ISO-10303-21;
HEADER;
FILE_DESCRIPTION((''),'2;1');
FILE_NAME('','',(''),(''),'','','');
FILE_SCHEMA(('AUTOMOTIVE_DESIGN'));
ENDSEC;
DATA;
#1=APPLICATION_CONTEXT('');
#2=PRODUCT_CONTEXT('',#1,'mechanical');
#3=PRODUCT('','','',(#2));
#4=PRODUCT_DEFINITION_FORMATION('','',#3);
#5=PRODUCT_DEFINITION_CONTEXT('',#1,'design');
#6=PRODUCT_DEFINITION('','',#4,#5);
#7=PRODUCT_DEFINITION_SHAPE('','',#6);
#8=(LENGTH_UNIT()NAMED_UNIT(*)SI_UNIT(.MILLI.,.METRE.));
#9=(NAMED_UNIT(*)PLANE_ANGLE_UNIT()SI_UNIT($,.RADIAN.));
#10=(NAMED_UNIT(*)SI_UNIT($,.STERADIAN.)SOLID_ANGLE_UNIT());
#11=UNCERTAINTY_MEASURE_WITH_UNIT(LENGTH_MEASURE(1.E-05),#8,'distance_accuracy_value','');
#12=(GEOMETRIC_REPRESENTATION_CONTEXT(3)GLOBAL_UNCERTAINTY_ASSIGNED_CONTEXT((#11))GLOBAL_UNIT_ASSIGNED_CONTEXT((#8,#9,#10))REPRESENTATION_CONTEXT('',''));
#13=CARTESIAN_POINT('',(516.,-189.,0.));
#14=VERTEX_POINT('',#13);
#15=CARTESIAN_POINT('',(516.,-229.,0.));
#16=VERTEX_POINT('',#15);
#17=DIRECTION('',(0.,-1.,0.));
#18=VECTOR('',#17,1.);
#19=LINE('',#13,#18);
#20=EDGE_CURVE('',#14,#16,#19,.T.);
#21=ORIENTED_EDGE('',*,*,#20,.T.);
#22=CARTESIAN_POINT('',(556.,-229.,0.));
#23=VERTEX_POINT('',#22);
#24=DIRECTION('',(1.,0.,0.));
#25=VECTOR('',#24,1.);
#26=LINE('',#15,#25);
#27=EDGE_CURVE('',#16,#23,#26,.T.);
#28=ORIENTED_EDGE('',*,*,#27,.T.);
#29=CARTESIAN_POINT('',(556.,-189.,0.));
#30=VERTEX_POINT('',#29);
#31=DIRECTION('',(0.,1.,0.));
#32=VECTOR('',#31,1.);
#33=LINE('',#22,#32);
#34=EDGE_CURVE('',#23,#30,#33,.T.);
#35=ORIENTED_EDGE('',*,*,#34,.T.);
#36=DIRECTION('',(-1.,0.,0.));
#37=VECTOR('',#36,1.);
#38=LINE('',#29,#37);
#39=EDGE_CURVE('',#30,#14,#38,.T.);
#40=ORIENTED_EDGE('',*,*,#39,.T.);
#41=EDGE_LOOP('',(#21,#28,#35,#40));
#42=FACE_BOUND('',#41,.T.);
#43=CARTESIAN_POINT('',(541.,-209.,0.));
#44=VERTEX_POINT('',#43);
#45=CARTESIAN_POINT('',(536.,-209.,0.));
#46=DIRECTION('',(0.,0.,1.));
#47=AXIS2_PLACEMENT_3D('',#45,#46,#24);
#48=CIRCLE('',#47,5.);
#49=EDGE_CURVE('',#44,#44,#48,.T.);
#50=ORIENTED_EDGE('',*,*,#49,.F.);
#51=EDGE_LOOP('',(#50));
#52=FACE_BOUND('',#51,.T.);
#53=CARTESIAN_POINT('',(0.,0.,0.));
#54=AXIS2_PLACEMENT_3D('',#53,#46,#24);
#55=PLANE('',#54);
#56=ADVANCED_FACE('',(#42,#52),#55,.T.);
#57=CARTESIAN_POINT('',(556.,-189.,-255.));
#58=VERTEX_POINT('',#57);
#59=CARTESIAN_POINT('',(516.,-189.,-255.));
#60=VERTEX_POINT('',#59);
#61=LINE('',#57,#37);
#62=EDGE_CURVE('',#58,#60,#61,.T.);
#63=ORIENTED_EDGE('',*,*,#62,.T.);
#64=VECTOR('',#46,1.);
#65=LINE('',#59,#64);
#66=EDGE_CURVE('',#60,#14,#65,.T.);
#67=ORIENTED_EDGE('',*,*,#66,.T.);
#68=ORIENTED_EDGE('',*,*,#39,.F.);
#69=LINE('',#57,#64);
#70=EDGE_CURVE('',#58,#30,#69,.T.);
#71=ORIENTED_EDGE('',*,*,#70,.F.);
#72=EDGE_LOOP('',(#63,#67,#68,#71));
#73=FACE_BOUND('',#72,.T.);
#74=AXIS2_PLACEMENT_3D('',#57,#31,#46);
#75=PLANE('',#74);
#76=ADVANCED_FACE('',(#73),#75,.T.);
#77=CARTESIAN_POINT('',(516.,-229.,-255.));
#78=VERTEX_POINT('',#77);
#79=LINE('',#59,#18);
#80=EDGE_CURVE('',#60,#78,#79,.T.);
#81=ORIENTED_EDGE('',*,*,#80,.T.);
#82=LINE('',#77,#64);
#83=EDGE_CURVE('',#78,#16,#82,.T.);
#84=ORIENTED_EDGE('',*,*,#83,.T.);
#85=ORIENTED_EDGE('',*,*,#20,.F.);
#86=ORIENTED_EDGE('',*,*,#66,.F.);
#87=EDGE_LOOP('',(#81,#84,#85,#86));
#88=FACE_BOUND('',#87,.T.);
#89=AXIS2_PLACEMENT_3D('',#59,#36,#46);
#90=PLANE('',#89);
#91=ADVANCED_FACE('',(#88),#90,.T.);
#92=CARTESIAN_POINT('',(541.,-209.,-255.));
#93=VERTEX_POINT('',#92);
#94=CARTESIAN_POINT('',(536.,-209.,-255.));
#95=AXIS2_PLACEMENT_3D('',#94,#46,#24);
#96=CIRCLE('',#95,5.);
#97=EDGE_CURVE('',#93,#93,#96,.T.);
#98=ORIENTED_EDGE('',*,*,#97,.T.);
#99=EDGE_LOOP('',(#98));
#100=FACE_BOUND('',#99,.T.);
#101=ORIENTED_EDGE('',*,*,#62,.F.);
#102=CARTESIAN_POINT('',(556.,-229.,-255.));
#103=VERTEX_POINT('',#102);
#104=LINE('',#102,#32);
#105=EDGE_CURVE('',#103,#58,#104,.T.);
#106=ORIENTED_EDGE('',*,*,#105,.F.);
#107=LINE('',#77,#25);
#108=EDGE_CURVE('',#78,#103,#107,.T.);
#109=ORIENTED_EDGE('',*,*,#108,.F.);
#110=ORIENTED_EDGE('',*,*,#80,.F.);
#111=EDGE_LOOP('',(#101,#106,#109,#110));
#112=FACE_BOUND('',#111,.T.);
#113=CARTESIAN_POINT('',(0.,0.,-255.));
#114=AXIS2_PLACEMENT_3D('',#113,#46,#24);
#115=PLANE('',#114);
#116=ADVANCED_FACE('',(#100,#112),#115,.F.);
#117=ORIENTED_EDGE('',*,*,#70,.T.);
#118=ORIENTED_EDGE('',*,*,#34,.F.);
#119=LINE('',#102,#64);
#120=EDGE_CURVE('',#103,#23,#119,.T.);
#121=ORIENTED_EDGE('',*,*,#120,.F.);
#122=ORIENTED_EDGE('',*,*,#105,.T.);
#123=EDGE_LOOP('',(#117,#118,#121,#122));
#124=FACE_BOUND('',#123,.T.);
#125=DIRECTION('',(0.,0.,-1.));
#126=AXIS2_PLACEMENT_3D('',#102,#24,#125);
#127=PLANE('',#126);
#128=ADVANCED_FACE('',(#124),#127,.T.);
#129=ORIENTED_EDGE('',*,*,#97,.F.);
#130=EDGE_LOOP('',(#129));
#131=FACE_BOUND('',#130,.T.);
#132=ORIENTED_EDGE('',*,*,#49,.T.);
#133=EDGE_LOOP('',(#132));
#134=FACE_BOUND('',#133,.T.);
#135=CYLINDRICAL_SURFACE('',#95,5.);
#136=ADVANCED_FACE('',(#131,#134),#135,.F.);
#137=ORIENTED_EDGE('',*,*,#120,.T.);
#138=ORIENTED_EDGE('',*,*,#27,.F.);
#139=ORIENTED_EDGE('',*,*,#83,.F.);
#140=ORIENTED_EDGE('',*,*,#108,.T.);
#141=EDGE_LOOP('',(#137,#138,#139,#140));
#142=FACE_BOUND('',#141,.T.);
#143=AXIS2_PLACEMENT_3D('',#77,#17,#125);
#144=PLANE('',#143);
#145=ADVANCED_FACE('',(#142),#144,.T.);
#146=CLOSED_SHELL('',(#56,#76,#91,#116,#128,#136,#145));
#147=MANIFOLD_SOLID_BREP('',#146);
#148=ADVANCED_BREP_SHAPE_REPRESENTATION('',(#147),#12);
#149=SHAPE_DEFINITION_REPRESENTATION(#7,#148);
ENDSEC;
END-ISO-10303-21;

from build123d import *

# Parameters (mm, degrees)
SKETCH1_W           = 40
SKETCH1_H           = 40
SKETCH1_R           = 5
BOSS_EXTRUDE1_DEPTH = 255


with BuildPart() as part:
    # Sketch1 → Boss-Extrude1 (new body)
    with BuildSketch(Plane.XY):
        with Locations((536, -209)):
            Rectangle(SKETCH1_W, SKETCH1_H)
        with Locations((536, -209)):
            Circle(SKETCH1_R, mode=Mode.SUBTRACT)
    extrude(amount=-BOSS_EXTRUDE1_DEPTH)


solid = part.part
